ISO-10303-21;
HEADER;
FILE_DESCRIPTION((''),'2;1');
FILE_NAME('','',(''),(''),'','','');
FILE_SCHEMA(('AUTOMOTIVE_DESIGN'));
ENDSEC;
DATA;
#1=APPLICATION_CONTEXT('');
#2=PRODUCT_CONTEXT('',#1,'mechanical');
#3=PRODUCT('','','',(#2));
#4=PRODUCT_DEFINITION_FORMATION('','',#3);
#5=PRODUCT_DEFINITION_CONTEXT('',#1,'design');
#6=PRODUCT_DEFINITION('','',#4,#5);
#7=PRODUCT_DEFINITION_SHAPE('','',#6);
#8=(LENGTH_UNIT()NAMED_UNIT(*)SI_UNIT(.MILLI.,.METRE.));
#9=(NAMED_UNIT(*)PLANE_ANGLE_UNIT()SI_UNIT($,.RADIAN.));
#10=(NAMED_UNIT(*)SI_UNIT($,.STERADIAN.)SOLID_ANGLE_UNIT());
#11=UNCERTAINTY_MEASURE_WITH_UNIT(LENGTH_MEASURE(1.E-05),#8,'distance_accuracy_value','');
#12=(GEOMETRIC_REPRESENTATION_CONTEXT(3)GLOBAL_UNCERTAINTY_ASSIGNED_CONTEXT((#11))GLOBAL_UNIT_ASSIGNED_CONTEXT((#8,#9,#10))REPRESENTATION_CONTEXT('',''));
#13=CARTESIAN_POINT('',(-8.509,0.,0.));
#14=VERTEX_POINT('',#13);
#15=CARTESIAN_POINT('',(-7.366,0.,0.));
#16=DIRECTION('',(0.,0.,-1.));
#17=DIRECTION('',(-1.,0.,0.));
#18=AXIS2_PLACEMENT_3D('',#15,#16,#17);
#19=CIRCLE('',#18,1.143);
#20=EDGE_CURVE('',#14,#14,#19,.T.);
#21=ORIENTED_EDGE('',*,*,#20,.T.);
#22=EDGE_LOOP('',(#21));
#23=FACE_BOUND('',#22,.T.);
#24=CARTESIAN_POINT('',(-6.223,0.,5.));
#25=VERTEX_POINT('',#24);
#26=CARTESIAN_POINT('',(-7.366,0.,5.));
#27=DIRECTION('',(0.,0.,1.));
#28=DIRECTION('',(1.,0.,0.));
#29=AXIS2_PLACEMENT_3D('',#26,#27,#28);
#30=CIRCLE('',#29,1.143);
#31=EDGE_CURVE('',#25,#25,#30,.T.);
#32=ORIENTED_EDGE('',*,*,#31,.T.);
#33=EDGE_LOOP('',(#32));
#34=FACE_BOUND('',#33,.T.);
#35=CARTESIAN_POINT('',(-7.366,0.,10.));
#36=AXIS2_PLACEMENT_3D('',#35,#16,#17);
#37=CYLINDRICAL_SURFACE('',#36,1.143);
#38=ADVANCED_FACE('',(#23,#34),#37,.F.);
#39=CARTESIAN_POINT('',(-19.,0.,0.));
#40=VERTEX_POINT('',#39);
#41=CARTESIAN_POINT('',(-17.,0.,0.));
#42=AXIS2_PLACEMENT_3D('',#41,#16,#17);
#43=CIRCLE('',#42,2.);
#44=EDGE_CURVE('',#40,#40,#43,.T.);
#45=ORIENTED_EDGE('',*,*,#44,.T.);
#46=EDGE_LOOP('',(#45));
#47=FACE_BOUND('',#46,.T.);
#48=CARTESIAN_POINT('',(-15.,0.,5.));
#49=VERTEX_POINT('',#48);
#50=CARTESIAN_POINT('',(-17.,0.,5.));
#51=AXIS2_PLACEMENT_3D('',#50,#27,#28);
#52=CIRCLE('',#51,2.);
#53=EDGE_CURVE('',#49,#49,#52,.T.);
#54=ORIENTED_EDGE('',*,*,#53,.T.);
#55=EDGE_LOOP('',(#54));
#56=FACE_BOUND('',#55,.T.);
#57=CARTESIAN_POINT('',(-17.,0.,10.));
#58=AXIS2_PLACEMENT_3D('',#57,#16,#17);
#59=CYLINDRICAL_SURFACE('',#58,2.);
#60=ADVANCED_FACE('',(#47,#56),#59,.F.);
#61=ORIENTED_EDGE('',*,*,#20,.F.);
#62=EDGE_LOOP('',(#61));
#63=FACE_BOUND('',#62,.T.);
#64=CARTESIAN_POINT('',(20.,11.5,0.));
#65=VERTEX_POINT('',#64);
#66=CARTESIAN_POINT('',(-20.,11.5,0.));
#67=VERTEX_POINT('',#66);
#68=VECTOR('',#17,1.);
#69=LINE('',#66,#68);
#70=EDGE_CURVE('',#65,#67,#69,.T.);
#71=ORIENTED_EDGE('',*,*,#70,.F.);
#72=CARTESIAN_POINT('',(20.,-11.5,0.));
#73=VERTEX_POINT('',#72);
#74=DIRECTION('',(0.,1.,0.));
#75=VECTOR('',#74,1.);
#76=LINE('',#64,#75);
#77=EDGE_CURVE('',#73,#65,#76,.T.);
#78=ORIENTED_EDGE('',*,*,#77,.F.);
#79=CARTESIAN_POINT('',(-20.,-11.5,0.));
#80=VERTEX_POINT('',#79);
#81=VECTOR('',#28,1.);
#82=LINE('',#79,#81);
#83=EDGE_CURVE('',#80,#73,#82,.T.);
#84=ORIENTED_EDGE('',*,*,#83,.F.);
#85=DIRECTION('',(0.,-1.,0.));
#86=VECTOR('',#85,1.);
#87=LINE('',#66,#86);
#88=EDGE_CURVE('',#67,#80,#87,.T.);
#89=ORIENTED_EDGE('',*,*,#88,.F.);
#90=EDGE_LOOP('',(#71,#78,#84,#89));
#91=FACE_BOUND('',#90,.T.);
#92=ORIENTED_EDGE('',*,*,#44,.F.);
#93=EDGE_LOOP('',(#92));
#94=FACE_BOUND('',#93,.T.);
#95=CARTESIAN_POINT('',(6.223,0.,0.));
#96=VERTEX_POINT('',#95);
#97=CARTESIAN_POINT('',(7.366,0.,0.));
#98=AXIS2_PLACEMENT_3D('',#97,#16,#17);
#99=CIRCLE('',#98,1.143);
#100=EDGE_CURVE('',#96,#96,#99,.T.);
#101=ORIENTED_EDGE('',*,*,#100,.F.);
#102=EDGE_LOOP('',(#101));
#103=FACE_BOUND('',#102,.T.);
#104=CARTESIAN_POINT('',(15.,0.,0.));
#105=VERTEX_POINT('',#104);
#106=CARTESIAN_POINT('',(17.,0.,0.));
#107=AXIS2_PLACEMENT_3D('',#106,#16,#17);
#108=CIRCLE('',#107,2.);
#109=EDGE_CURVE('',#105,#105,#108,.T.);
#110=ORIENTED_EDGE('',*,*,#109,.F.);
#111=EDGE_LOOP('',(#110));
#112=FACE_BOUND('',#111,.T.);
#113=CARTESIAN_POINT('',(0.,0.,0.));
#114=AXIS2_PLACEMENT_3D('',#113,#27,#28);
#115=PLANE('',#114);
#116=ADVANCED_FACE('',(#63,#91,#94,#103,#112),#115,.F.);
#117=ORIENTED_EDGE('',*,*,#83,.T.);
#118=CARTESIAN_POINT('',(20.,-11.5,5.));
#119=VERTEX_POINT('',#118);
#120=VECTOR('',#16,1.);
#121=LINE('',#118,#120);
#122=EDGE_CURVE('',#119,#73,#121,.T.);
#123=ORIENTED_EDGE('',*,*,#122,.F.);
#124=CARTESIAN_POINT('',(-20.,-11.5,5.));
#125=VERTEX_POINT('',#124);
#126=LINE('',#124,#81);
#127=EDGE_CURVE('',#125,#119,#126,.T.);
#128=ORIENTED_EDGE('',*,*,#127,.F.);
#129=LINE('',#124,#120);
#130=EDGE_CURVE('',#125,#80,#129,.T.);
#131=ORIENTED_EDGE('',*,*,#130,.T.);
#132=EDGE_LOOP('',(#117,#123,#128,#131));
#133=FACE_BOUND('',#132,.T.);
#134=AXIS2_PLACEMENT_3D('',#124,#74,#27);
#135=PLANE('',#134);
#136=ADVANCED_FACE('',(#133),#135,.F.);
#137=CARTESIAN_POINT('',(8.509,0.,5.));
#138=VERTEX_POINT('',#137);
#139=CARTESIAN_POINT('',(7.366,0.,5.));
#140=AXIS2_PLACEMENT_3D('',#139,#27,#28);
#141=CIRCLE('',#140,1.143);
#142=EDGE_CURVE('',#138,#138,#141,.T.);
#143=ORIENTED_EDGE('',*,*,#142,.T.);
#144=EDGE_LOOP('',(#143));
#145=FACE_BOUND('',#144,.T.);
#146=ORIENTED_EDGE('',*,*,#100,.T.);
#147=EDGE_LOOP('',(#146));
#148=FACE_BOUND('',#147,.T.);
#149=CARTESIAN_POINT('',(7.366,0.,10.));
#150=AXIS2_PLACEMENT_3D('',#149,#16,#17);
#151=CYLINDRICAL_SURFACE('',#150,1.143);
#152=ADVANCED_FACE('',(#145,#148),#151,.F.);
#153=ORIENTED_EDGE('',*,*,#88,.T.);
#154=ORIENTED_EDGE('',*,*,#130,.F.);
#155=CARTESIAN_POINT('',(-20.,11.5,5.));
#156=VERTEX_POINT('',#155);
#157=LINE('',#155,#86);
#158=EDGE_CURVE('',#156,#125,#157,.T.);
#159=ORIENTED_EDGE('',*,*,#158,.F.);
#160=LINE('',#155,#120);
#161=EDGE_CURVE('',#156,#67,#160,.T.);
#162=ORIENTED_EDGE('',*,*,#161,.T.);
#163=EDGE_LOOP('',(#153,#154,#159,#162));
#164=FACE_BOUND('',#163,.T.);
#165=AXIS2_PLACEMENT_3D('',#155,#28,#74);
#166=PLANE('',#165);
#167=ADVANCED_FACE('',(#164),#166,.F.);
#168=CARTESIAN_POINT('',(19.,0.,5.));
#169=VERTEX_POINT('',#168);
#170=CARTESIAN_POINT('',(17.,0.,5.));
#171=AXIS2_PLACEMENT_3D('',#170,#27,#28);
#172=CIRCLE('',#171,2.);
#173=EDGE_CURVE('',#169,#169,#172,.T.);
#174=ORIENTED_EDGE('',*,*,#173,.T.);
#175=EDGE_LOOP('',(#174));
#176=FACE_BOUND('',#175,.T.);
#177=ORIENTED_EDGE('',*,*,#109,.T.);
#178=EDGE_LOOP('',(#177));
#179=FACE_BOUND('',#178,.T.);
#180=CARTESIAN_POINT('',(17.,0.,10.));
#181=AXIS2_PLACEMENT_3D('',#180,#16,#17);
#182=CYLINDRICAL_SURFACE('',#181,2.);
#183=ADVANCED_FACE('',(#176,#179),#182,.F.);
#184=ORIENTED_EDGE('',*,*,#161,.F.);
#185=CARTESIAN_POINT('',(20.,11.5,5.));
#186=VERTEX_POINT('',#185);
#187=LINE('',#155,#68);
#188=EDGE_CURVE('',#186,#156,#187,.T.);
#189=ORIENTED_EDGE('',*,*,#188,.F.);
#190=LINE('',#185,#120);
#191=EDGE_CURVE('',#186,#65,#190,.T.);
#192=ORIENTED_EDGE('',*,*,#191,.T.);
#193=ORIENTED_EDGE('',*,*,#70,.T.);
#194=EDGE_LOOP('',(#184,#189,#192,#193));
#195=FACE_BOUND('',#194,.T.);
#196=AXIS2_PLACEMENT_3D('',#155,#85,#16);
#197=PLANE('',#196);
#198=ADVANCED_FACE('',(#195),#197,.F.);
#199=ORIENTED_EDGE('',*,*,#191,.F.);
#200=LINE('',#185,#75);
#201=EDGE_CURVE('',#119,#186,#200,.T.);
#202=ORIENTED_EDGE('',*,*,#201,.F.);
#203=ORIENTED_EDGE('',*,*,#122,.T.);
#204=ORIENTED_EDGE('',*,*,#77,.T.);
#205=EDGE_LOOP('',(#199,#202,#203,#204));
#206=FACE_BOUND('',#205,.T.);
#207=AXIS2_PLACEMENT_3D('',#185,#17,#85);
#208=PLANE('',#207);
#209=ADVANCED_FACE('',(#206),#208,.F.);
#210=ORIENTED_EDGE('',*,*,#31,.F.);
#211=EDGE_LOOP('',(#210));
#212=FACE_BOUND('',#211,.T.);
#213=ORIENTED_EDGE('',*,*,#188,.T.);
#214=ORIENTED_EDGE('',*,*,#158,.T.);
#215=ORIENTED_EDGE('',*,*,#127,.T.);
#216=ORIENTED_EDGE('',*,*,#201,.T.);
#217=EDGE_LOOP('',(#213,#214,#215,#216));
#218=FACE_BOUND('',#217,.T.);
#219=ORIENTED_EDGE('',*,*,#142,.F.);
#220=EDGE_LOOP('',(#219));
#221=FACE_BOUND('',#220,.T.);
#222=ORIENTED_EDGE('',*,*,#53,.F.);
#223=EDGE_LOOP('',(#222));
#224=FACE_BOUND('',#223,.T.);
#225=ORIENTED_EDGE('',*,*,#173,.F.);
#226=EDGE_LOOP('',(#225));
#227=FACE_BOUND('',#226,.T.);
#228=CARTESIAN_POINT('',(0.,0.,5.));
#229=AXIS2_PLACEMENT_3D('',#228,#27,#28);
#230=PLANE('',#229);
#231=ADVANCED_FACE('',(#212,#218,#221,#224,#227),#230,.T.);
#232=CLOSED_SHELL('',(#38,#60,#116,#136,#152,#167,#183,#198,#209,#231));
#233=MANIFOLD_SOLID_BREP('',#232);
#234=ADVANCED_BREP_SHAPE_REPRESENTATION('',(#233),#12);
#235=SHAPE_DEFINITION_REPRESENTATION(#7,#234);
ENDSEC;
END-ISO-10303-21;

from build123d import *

# Parameters (mm, degrees)
SKETCH1_W           = 40
SKETCH1_H           = 23
BOSS_EXTRUDE1_DEPTH = 5
SKETCH2_R           = 2
SKETCH2_R_2         = 1.143
CUT_EXTRUDE1_DEPTH  = 10


with BuildPart() as part:
    # Sketch1 → Boss-Extrude1 (new body)
    with BuildSketch(Plane.XY):
        Rectangle(SKETCH1_W, SKETCH1_H)
    extrude(amount=BOSS_EXTRUDE1_DEPTH)

    # Sketch2 → Cut-Extrude1 (cut)
    with BuildSketch(Plane(origin=(0, 0, 0), x_dir=(-1, 0, 0), z_dir=(0, 0, -1))):
        with Locations((-17, 0)):
            Circle(SKETCH2_R)
        with Locations((-7.366, 0)):
            Circle(SKETCH2_R_2)
        with Locations((7.366, 0)):
            Circle(SKETCH2_R_2)
        with Locations((17, 0)):
            Circle(SKETCH2_R)
    extrude(amount=-CUT_EXTRUDE1_DEPTH, mode=Mode.SUBTRACT)


solid = part.part
